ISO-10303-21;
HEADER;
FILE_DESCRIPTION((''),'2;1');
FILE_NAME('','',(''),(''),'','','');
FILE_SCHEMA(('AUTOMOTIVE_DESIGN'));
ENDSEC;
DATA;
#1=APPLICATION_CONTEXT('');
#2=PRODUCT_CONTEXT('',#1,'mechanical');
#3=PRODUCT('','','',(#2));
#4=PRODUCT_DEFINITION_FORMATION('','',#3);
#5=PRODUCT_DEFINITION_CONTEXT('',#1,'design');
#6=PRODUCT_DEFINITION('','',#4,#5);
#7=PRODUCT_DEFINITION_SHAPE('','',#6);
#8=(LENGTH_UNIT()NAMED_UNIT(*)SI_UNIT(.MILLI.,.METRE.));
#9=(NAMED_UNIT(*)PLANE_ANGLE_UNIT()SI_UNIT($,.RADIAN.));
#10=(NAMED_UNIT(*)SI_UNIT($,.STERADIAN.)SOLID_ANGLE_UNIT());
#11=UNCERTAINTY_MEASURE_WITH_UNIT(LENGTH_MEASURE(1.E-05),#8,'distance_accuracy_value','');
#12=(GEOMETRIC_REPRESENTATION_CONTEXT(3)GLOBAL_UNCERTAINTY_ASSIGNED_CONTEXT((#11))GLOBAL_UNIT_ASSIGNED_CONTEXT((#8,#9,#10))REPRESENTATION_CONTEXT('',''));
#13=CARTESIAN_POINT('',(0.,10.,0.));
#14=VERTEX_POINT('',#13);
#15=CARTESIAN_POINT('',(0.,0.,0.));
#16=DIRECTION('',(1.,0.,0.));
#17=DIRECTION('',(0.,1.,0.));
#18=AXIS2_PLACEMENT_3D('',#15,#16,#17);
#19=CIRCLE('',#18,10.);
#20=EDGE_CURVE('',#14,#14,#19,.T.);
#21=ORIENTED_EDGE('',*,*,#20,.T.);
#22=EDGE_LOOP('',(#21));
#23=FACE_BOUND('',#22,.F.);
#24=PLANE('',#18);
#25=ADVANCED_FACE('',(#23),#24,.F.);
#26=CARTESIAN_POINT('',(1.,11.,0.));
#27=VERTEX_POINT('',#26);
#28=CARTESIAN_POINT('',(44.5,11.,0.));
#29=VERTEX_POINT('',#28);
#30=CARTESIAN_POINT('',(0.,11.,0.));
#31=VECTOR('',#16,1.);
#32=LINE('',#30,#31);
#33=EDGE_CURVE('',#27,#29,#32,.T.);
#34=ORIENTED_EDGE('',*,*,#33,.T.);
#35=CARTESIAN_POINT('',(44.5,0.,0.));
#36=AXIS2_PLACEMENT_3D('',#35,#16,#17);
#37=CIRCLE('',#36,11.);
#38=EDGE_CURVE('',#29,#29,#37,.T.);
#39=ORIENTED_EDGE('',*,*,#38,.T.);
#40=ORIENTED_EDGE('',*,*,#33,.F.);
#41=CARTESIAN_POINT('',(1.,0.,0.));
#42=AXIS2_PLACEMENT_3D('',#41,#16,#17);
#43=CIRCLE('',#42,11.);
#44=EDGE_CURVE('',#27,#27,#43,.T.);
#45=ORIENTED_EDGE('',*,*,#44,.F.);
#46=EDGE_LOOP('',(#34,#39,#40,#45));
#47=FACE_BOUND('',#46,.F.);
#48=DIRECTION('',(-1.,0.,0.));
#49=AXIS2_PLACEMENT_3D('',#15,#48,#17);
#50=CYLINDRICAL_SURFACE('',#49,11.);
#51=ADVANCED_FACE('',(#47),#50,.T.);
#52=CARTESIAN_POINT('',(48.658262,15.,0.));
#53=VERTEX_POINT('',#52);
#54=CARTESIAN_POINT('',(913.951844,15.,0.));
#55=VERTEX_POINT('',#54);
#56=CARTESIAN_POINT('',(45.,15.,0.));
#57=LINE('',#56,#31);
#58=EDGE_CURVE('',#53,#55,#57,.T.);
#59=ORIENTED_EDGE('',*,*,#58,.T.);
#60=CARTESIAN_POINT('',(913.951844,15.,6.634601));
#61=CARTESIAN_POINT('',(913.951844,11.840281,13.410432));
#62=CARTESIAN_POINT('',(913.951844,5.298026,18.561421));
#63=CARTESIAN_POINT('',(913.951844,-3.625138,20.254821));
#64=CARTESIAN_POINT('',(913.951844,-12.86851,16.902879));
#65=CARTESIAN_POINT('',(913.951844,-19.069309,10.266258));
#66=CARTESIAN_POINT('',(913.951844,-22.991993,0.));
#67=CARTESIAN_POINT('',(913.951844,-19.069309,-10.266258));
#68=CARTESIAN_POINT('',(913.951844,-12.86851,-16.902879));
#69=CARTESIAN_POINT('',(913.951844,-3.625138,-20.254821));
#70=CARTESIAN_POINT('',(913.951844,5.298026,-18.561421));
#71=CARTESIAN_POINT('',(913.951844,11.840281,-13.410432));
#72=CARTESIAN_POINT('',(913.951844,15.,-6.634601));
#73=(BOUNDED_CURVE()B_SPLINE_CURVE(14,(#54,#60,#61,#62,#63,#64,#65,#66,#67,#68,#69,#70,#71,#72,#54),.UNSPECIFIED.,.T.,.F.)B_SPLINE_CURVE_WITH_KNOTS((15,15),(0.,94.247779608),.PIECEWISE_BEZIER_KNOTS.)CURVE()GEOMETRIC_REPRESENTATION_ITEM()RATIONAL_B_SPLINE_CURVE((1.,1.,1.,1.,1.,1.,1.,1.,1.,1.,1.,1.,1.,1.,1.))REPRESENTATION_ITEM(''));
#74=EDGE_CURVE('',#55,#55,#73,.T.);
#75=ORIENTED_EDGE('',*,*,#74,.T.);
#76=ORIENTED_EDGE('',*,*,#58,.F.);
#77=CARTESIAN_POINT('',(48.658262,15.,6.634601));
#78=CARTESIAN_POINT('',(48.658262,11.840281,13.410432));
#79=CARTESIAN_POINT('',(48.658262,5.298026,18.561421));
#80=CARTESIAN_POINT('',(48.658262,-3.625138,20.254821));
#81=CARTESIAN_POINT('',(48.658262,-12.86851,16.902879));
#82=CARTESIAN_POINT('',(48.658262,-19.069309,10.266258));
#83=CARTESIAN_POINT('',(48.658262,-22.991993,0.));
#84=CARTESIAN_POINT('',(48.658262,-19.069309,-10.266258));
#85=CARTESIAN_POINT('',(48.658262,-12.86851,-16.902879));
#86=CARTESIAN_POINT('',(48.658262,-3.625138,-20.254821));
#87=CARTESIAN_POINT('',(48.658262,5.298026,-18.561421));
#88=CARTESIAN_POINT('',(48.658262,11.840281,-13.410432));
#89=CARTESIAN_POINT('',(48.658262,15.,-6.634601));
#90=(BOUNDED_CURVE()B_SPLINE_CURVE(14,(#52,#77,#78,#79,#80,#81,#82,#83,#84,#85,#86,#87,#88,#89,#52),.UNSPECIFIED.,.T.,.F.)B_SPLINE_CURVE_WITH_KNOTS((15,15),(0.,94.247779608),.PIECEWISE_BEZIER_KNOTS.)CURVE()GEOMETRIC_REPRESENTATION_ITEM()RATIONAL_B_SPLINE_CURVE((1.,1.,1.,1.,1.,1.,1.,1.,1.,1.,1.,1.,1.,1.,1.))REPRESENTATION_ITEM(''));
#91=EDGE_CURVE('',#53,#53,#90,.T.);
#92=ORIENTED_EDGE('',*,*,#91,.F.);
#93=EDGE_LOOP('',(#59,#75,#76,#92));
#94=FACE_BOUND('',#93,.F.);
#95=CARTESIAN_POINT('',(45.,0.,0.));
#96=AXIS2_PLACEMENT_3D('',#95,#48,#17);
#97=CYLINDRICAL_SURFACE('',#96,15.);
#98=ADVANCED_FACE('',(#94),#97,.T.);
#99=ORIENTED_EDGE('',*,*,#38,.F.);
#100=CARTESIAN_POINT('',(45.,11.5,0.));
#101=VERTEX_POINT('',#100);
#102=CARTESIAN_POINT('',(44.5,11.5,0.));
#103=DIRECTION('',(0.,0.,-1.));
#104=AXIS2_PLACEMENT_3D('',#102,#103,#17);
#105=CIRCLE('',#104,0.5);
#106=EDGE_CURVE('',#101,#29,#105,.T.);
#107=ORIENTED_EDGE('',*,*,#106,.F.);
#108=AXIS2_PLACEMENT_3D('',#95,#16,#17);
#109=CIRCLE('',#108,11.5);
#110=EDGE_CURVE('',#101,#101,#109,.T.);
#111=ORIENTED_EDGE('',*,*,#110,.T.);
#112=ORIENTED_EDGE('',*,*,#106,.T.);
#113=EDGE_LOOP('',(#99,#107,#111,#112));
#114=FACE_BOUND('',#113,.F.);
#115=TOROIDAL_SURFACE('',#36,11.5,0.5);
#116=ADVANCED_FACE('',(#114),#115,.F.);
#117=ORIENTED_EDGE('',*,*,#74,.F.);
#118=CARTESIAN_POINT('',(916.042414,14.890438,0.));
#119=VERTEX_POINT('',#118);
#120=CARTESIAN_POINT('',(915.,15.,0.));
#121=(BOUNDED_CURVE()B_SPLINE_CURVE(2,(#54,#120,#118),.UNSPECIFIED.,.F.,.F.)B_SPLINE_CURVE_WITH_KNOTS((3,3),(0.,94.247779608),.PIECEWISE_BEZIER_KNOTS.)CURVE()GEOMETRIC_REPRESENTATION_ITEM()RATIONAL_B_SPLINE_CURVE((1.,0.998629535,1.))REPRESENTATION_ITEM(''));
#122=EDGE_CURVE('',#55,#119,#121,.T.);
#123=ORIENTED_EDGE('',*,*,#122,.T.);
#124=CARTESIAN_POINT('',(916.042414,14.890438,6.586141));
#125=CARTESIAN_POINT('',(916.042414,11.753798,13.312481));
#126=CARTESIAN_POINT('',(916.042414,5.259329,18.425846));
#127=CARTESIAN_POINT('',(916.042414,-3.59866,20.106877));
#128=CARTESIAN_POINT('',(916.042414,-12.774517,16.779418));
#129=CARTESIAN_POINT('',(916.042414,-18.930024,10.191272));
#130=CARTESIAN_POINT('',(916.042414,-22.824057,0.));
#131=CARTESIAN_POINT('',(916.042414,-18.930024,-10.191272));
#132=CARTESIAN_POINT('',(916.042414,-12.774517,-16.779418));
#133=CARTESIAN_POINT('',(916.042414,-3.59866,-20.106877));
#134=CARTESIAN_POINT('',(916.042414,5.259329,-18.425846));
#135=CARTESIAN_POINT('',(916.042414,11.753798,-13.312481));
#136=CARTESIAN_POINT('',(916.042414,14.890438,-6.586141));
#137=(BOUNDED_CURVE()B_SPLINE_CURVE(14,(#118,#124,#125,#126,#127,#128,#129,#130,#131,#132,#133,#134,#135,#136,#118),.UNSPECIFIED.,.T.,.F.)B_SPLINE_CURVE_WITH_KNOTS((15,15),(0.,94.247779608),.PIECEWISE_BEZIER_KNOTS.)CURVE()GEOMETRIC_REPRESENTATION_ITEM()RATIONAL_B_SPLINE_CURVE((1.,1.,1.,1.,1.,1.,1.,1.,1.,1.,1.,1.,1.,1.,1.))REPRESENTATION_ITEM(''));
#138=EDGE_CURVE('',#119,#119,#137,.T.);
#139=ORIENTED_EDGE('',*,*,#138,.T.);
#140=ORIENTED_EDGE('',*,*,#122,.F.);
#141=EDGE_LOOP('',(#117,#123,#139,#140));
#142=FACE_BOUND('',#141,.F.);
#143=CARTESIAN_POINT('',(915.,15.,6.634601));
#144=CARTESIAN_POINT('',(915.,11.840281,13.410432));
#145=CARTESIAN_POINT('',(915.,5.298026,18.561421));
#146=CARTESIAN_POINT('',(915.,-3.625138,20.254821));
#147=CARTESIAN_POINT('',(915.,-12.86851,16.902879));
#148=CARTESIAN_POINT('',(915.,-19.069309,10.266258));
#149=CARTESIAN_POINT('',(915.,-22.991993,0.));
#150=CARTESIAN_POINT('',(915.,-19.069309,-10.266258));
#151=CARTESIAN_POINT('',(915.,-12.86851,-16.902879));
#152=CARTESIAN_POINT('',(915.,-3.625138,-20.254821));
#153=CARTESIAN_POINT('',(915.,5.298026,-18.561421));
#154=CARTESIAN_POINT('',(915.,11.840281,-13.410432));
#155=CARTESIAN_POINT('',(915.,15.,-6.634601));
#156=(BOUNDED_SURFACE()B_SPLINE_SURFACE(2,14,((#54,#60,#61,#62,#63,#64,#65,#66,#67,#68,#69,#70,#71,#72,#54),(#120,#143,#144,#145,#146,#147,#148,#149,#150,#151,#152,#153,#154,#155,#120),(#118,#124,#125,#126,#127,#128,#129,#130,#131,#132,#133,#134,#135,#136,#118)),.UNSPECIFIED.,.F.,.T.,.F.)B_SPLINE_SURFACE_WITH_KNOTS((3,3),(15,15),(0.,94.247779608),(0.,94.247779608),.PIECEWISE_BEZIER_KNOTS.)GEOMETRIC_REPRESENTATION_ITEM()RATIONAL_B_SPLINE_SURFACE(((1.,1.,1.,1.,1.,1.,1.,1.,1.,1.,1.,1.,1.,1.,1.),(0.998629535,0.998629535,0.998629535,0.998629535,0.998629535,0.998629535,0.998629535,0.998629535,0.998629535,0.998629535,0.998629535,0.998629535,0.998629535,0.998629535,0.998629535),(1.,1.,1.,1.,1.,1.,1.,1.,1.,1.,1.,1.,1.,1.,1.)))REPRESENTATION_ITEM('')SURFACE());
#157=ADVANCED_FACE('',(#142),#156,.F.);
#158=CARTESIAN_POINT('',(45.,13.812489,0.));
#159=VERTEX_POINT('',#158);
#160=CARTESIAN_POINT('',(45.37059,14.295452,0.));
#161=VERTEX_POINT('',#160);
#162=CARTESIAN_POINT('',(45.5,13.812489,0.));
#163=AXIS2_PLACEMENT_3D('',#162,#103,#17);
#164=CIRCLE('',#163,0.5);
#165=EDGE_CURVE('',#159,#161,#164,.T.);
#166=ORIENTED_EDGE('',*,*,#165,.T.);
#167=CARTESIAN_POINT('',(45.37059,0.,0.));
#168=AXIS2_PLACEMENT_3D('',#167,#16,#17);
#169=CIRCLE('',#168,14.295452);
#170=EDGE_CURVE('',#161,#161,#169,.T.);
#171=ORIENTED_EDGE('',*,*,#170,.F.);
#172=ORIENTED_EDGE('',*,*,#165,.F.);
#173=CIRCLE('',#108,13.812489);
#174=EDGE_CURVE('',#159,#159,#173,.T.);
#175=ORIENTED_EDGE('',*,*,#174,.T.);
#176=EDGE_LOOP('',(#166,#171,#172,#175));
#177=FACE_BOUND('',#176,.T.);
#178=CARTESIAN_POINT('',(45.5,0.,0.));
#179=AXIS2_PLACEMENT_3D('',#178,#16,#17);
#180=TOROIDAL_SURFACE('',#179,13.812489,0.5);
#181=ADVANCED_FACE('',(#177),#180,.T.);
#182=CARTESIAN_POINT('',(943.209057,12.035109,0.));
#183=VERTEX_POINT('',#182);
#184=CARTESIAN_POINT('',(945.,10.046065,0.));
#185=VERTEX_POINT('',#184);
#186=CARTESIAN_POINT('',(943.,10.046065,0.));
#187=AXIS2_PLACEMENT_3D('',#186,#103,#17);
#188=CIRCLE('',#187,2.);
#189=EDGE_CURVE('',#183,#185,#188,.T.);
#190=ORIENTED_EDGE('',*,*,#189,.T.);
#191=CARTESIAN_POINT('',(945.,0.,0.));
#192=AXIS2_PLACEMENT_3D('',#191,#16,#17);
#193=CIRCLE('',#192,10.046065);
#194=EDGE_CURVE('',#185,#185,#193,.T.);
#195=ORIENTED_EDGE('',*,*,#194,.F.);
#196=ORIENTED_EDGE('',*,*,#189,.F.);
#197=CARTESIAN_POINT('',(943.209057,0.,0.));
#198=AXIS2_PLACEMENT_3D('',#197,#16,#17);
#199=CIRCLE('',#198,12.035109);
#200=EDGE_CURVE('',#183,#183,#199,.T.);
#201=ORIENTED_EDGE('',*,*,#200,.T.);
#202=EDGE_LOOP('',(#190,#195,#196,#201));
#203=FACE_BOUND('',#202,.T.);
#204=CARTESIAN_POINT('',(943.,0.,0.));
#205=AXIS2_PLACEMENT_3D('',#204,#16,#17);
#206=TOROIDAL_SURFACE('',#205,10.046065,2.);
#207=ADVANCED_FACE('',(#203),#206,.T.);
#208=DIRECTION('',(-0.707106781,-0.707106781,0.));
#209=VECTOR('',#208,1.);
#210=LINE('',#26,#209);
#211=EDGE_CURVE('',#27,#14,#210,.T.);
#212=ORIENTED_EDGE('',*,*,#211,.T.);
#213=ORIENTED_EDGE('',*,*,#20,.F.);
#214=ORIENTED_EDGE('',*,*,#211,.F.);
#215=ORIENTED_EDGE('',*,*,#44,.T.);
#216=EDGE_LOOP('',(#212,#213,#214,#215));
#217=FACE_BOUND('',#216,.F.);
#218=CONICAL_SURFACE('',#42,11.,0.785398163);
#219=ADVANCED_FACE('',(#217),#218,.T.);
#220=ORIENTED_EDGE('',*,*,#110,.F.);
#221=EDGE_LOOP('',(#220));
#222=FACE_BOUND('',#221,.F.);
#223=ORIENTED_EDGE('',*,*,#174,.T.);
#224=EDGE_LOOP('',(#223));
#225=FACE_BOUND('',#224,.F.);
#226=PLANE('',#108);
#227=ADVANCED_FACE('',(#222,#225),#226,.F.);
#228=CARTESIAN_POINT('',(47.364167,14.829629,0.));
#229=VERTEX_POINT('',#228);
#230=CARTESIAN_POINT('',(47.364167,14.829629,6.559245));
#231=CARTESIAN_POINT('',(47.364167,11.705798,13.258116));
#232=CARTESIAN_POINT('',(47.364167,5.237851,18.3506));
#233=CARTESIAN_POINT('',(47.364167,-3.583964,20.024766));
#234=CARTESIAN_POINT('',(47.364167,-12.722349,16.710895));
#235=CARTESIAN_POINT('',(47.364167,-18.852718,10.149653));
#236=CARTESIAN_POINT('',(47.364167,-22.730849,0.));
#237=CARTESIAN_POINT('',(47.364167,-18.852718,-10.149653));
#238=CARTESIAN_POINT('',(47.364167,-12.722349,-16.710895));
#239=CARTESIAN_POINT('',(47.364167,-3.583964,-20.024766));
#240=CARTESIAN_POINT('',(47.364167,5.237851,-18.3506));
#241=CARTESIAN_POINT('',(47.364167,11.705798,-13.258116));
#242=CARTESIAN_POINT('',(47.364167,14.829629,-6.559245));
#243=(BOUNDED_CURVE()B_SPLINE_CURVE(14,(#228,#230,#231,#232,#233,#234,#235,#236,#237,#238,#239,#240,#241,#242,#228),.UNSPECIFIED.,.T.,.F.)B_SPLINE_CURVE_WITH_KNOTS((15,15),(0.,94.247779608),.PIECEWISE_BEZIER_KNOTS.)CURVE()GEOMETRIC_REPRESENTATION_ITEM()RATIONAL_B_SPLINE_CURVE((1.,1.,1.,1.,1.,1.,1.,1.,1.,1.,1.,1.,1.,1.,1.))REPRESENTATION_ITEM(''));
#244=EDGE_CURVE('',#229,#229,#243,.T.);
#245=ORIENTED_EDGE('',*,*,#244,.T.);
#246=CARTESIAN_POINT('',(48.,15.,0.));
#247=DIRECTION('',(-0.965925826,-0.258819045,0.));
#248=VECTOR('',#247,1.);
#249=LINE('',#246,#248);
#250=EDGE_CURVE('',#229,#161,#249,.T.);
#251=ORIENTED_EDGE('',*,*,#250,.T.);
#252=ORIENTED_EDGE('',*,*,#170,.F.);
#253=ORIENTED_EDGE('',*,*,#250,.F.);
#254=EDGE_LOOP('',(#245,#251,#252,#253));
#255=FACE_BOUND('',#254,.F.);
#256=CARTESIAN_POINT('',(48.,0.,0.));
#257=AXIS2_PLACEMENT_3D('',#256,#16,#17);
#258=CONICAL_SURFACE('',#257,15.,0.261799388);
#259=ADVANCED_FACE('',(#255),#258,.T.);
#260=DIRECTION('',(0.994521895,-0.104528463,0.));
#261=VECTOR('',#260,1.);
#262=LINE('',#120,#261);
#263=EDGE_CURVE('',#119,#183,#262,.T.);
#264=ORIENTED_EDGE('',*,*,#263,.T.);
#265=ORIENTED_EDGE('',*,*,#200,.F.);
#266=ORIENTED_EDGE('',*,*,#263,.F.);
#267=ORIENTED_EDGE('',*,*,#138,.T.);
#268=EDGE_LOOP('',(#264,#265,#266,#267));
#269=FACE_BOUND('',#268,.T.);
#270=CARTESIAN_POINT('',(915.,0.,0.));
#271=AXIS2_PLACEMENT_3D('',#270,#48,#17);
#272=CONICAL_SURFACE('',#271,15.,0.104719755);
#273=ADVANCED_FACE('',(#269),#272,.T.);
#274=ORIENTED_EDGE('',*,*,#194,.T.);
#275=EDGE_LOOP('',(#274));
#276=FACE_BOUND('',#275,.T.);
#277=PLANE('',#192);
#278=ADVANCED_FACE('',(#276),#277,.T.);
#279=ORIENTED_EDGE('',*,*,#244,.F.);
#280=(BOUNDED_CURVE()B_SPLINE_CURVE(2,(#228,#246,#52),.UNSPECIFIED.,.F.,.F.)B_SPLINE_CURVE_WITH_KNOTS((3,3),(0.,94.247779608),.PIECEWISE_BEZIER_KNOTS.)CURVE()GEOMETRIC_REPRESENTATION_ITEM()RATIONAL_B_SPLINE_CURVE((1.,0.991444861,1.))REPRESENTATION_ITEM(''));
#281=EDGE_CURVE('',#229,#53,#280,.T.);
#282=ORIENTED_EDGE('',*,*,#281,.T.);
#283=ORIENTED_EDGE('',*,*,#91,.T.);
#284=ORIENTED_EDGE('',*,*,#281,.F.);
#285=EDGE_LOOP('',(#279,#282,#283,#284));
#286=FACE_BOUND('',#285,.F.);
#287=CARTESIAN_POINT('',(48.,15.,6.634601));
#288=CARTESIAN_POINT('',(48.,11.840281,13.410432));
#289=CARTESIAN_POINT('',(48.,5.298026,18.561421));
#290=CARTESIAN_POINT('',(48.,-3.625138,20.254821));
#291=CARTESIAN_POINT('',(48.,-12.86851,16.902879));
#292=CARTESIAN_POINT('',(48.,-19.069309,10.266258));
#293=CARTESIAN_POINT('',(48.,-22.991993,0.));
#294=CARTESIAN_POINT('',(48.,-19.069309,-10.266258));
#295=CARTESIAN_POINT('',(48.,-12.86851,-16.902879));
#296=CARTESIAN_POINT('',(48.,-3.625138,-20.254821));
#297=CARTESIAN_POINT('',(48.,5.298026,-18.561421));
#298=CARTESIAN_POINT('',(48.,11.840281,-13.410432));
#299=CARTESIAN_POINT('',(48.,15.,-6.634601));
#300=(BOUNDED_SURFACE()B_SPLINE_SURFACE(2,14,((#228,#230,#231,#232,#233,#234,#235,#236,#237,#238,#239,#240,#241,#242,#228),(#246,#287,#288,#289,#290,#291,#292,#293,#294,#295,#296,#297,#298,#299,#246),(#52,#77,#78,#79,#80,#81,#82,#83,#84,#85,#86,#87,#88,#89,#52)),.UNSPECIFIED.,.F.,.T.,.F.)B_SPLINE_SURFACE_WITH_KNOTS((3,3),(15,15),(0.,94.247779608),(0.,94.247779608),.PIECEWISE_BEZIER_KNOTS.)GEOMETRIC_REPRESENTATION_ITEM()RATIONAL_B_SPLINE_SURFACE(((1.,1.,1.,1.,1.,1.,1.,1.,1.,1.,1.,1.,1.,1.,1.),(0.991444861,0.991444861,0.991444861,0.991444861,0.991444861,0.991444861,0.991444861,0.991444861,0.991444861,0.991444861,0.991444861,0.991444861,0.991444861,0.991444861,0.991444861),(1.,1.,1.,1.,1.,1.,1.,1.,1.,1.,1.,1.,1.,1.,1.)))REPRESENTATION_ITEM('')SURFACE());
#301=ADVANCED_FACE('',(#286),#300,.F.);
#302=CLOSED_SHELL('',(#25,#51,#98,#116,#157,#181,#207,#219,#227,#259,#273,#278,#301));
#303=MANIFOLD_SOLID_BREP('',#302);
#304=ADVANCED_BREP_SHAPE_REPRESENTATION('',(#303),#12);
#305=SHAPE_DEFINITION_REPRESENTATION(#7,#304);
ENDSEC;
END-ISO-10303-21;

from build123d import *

# Parameters (mm, degrees)
F0_R     = 11
F1_DEPTH = 45
F2_R     = 15
F2_R_2   = 11
F3_DEPTH = 900
F4_SIZE2 = 3.153127058
F4_SIZE  = 30
F5_SIZE  = 1
F6_SIZE2 = 0.8038475773
F6_SIZE  = 3
F7_R     = 0.5
F8_R     = 5
F9_R     = 20
F10_R    = 2


with BuildPart() as f1:
    # F0 (on Right) → F1 (new body)
    with BuildSketch(Plane.YZ):
        Circle(F0_R)
    extrude(amount=F1_DEPTH)

    # F2 (on face) → F3 (join)
    with BuildSketch(Plane.YZ.offset(45)):
        Circle(F2_R)
        Circle(F2_R_2, mode=Mode.SUBTRACT)
        Circle(F2_R_2)
    extrude(amount=F3_DEPTH)

    # F4
    f4_edges = [f1.edges().sort_by_distance(p)[0] for p in [
        (945, -15, 0),
    ]]
    f4_side = f1.faces().sort_by_distance((495, -15, 0))[0]
    chamfer(f4_edges, length=F4_SIZE, length2=F4_SIZE2, reference=f4_side)

    # F5
    f5_edges = [f1.edges().sort_by_distance(p)[0] for p in [
        (0, -11, 0),
    ]]
    chamfer(f5_edges, length=F5_SIZE)

    # F6
    f6_edges = [f1.edges().sort_by_distance(p)[0] for p in [
        (45, -15, 0),
    ]]
    f6_side = f1.faces().sort_by_distance((480, -15, 0))[0]
    chamfer(f6_edges, length=F6_SIZE, length2=F6_SIZE2, reference=f6_side)

    # F7
    f7_edges = [f1.edges().sort_by_distance(p)[0] for p in [
        (45, -11, 0),
        (45, -14.196152, 0),
    ]]
    fillet(f7_edges, radius=F7_R)

    # F8
    f8_edges = [f1.edges().sort_by_distance(p)[0] for p in [
        (48, -15, 0),
    ]]
    fillet(f8_edges, radius=F8_R)

    # F9
    f9_edges = [f1.edges().sort_by_distance(p)[0] for p in [
        (915, -15, 0),
    ]]
    fillet(f9_edges, radius=F9_R)

    # F10
    f10_edges = [f1.edges().sort_by_distance(p)[0] for p in [
        (945, -11.846873, 0),
    ]]
    fillet(f10_edges, radius=F10_R)


solid = f1.part
